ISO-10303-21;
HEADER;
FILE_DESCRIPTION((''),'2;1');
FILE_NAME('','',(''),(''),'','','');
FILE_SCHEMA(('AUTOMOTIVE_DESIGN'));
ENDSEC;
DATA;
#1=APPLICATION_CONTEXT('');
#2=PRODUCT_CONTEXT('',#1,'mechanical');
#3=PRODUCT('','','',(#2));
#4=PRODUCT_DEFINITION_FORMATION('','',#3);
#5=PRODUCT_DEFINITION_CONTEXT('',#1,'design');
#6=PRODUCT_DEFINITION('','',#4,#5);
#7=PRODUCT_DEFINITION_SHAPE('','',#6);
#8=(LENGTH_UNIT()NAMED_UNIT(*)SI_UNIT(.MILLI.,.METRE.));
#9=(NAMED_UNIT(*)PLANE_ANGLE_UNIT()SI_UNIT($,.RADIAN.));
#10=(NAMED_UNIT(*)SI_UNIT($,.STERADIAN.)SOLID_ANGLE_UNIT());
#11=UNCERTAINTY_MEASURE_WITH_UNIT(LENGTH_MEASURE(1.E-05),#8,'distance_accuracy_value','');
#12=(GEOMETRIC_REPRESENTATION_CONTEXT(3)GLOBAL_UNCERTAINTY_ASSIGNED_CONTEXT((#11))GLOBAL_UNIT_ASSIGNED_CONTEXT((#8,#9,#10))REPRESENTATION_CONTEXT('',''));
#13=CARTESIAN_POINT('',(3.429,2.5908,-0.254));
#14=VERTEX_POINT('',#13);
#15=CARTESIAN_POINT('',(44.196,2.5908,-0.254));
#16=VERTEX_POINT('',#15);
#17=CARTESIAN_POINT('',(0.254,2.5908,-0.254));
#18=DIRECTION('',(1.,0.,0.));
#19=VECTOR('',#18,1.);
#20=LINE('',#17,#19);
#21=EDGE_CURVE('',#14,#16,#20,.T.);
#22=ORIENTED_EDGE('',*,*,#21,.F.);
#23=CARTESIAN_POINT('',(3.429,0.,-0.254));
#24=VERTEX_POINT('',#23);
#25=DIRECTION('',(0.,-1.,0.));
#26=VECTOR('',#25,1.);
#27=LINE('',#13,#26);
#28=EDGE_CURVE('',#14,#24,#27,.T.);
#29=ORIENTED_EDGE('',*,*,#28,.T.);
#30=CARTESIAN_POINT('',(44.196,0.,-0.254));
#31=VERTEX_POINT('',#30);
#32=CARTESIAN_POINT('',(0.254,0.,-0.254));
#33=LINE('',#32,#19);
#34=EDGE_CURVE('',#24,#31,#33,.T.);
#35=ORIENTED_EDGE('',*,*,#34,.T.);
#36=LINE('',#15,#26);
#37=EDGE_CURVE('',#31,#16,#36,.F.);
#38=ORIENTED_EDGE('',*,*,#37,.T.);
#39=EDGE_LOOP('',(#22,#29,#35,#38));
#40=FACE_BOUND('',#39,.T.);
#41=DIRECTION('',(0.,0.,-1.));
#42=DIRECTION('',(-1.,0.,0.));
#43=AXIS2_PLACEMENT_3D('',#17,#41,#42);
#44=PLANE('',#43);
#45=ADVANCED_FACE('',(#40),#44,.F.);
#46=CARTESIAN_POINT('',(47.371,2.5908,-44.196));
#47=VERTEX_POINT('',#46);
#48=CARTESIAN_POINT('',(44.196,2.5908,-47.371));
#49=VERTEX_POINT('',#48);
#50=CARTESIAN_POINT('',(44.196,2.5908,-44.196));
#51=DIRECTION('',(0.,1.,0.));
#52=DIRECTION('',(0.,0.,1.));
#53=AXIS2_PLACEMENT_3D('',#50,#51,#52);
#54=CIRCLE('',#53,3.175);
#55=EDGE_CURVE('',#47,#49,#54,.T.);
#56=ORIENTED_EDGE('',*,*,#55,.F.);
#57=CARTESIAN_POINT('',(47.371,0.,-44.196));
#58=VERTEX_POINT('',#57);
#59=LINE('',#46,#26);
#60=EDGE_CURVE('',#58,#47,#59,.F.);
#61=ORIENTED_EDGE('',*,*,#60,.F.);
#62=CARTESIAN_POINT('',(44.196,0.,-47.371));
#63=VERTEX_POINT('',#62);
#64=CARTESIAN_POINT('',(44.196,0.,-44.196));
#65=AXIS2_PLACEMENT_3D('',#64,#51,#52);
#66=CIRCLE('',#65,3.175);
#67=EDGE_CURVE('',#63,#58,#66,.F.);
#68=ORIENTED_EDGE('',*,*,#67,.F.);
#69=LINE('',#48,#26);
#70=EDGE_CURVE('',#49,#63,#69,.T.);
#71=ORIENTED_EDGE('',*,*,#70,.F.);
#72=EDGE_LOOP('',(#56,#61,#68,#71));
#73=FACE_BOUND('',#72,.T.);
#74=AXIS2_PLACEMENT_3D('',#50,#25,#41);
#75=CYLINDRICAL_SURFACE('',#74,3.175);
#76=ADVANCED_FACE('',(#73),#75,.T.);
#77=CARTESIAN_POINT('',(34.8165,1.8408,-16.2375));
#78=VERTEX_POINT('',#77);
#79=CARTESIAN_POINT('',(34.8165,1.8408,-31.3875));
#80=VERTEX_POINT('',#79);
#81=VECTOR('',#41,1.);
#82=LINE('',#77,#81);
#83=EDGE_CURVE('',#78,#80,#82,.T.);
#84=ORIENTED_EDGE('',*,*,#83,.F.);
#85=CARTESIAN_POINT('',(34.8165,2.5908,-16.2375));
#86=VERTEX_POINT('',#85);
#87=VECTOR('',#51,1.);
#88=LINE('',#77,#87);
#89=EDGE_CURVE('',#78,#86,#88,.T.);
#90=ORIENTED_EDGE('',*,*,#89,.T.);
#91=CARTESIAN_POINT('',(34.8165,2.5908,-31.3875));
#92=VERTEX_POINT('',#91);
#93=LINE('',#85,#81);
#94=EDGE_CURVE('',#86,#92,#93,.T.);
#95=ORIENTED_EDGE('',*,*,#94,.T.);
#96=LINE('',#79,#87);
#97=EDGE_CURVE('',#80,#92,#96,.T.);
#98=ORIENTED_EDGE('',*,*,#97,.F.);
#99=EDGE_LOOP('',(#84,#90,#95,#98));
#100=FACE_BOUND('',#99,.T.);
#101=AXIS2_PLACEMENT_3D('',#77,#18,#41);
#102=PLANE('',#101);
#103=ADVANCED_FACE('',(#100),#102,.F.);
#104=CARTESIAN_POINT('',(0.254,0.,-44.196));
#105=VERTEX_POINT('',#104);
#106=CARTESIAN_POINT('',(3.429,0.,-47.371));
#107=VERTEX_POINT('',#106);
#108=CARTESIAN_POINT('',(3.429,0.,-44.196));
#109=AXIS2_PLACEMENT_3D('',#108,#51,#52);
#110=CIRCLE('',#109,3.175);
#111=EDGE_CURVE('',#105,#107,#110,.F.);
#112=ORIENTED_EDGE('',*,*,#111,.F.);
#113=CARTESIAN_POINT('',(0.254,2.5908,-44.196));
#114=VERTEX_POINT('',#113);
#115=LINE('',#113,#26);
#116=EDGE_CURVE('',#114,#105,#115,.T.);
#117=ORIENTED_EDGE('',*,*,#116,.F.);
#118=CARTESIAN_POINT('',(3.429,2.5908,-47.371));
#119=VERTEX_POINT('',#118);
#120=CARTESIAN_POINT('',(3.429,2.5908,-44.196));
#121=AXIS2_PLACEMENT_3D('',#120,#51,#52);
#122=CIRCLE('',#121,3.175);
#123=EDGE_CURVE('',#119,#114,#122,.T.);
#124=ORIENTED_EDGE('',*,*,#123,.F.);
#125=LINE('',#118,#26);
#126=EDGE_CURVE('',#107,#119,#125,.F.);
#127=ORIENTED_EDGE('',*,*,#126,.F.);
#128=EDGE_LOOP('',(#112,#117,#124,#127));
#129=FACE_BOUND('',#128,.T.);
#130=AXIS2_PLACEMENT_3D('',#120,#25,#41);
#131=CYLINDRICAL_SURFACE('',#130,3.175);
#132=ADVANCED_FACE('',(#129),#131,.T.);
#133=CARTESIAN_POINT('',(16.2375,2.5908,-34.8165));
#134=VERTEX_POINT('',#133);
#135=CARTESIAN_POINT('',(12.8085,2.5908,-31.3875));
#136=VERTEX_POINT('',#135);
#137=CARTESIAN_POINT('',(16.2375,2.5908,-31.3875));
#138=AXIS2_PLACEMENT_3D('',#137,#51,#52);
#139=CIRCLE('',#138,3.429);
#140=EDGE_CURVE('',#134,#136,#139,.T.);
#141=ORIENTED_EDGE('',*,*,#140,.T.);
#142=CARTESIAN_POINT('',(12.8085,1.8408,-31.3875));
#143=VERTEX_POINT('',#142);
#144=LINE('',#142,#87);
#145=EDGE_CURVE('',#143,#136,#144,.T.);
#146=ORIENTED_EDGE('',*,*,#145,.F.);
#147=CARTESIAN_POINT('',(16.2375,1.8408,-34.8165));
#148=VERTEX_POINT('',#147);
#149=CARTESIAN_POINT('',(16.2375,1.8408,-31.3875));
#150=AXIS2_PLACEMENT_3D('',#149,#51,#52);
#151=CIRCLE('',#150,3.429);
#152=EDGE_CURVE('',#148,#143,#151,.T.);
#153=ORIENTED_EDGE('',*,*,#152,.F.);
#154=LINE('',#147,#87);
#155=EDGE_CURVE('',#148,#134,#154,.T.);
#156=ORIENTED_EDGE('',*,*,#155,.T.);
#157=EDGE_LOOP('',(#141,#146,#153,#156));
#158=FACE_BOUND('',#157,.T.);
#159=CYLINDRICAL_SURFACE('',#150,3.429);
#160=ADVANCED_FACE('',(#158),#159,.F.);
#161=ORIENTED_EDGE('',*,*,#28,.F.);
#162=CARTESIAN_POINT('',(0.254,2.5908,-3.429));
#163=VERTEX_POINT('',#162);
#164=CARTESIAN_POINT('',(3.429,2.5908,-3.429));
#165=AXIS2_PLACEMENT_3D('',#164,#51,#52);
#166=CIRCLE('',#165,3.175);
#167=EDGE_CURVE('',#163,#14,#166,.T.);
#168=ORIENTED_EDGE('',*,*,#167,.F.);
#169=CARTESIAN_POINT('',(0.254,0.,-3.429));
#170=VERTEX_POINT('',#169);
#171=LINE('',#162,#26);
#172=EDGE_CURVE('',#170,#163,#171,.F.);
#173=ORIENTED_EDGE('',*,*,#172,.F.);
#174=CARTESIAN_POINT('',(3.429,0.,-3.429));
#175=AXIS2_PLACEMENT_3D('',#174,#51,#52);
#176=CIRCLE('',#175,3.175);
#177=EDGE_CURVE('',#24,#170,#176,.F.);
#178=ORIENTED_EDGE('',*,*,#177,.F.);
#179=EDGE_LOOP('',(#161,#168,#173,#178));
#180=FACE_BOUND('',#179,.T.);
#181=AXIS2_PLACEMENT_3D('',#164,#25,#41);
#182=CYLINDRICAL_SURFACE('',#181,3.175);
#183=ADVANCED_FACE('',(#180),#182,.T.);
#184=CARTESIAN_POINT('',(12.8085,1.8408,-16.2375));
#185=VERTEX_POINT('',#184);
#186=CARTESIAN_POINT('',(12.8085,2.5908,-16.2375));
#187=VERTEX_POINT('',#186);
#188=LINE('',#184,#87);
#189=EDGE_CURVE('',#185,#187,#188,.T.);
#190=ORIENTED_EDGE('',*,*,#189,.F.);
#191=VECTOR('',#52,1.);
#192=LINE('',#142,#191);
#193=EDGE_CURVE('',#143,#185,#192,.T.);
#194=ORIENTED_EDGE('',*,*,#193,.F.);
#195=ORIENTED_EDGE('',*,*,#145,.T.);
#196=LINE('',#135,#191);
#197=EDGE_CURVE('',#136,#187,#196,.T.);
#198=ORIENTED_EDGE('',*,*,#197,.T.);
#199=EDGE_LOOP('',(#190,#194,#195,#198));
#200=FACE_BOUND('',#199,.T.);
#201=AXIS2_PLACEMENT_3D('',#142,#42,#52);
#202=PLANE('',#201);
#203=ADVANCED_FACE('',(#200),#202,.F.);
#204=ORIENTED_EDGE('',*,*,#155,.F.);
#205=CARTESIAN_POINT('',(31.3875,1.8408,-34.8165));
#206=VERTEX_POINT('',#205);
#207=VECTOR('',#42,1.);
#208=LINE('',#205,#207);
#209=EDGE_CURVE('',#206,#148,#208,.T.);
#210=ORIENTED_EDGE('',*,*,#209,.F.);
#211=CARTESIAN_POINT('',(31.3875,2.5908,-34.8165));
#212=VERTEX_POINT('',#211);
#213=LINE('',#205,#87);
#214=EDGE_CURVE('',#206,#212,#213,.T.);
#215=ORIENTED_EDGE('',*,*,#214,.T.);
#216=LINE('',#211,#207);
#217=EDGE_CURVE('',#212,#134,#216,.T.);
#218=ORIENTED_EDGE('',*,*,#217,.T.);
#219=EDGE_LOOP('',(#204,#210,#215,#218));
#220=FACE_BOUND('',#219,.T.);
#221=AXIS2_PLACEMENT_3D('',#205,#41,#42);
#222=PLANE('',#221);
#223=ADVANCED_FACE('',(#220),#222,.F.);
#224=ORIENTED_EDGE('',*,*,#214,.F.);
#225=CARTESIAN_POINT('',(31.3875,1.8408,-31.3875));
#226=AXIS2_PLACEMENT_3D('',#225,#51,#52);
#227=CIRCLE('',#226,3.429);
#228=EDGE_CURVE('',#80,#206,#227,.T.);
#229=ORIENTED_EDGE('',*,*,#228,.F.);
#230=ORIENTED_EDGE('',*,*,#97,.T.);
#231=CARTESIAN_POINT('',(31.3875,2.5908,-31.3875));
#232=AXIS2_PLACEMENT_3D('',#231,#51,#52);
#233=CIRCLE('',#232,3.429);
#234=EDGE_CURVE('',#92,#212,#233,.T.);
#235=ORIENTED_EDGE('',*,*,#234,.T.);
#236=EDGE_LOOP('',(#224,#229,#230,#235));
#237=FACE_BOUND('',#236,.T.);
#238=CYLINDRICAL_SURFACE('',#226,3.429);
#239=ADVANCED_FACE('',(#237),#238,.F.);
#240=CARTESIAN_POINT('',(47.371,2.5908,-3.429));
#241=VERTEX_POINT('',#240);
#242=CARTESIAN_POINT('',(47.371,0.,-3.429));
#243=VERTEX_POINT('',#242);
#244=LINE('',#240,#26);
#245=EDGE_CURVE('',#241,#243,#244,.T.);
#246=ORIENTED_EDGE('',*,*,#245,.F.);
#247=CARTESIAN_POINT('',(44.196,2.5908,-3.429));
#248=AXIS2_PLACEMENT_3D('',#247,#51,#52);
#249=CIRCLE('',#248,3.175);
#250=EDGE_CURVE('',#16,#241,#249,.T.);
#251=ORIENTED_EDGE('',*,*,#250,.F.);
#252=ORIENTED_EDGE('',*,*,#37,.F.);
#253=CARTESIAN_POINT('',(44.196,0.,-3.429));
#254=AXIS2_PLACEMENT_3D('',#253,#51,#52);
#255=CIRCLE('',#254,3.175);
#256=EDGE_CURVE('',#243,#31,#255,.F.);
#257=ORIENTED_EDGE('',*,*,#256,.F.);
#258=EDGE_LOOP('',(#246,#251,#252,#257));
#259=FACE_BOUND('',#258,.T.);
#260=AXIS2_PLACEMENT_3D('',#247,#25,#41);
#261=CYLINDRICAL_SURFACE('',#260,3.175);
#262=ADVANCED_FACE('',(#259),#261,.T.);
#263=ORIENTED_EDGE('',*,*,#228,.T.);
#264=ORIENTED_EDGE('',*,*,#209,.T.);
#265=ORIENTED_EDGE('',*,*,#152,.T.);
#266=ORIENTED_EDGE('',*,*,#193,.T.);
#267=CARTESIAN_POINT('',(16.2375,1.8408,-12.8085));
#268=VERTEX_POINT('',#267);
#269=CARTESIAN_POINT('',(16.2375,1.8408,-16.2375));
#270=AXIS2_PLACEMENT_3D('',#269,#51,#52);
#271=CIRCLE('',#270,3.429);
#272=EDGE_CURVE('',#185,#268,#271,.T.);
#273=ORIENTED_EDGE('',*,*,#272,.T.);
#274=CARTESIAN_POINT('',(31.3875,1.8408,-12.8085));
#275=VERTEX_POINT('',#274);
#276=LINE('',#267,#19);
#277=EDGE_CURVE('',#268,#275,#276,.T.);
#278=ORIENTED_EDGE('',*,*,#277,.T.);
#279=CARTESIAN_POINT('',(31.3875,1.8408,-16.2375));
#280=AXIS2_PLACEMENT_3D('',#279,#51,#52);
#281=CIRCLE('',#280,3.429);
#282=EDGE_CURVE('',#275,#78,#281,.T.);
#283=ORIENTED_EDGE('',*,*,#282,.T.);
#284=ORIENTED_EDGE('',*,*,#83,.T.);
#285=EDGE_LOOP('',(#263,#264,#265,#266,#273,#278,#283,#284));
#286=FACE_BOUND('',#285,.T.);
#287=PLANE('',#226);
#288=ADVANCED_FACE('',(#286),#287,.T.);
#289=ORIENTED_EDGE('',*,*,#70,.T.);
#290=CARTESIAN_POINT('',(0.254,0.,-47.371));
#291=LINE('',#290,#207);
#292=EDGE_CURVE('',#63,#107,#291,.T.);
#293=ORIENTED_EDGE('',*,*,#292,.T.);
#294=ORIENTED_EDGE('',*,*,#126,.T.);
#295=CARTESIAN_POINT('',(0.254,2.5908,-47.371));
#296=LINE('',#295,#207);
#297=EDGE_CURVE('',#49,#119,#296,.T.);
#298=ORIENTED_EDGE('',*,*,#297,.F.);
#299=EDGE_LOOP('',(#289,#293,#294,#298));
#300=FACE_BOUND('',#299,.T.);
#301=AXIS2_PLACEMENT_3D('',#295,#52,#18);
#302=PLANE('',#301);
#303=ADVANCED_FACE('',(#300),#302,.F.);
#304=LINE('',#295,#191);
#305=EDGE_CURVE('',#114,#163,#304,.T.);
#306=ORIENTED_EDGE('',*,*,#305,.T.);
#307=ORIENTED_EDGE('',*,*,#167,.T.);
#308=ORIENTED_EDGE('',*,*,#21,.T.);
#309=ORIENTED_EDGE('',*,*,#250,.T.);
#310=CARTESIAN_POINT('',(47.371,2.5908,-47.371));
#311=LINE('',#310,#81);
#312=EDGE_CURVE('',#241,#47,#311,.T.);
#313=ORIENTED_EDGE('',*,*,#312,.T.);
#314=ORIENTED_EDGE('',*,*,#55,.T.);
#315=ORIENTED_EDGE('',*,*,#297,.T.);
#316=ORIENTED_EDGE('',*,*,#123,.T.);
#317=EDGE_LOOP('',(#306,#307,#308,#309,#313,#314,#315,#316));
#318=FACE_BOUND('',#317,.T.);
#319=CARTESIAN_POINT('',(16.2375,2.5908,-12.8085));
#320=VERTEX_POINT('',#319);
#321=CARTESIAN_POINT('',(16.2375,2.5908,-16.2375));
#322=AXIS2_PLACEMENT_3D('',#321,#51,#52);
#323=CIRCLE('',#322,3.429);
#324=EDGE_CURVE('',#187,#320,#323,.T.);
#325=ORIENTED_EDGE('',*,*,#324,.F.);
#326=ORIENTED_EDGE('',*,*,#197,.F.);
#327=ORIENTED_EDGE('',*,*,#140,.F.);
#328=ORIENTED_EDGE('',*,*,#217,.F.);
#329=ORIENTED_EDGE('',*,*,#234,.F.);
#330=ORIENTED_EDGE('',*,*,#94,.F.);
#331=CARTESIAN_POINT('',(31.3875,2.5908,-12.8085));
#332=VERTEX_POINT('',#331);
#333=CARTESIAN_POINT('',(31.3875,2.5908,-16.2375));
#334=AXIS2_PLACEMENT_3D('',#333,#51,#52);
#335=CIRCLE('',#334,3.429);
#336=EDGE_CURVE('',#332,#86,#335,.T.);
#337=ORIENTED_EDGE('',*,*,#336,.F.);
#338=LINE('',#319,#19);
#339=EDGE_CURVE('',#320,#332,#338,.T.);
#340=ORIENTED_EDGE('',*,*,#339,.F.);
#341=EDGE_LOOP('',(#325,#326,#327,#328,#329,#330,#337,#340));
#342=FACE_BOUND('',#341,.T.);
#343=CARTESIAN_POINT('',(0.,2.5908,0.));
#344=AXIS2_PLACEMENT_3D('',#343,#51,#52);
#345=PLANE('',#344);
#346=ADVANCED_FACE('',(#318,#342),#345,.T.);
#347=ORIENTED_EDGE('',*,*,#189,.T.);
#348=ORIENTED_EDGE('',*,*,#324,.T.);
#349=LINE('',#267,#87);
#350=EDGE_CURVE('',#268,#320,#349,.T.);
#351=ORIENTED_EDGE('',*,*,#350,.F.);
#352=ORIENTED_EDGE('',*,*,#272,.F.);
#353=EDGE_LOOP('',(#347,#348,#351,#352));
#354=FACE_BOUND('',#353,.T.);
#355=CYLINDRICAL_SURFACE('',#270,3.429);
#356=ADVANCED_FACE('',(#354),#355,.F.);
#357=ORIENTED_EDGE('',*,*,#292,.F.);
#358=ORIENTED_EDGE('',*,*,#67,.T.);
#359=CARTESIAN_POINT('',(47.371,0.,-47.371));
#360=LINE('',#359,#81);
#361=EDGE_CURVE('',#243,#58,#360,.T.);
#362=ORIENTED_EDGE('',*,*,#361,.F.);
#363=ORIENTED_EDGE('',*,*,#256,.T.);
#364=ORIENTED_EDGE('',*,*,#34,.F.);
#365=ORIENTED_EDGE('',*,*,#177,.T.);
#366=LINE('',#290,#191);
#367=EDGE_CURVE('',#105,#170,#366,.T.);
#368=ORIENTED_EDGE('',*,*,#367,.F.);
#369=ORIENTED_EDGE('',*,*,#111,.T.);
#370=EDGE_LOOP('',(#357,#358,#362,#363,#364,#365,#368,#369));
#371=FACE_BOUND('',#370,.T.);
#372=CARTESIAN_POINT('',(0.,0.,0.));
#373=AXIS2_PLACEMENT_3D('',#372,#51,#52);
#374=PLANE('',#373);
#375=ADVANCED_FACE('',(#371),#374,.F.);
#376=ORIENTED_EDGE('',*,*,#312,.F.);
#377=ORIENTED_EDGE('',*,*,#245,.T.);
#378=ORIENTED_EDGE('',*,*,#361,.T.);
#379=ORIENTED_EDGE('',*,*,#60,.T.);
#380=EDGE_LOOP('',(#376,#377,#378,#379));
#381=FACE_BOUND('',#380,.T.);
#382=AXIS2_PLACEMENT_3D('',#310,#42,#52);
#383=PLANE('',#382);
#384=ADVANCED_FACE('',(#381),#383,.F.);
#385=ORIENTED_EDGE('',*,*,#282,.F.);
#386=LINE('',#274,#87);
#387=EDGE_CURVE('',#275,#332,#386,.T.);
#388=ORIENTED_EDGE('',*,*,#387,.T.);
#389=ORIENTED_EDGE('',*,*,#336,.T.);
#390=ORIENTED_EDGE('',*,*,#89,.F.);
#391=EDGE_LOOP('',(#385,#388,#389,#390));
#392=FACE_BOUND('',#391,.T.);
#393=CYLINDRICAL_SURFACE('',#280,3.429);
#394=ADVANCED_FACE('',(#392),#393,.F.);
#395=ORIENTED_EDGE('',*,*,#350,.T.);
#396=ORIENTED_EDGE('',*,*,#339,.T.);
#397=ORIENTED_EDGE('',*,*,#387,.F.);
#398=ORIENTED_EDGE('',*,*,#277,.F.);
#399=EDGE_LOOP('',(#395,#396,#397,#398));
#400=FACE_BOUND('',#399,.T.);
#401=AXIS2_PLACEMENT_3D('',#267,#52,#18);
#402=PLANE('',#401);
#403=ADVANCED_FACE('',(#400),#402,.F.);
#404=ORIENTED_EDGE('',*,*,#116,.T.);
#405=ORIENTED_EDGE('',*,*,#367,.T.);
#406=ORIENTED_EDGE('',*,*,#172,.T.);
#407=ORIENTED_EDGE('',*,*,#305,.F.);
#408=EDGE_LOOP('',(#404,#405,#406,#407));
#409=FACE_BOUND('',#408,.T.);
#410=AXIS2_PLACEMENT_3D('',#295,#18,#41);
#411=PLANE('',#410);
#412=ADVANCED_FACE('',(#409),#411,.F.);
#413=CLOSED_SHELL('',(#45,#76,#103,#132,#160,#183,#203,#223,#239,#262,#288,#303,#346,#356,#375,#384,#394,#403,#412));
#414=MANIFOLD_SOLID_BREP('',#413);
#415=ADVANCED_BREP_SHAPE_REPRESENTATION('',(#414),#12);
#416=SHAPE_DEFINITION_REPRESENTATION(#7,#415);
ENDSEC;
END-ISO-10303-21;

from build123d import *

# Parameters (mm, degrees)
SKETCH3_W           = 47.117
SKETCH3_H           = 47.117
BOSS_EXTRUDE1_DEPTH = 2.5908
FILLET2_R           = 3.175
CUT_EXTRUDE1_DEPTH  = 0.75


with BuildPart() as part:
    # Sketch3 → Boss-Extrude1 (new body)
    with BuildSketch(Plane(origin=(0, 0, 0), x_dir=(1, 0, 0), z_dir=(0, 1, 0))):
        with Locations((23.8125, 23.8125)):
            Rectangle(SKETCH3_W, SKETCH3_H)
    extrude(amount=BOSS_EXTRUDE1_DEPTH)

    # Fillet2
    fillet2_edges = [part.edges().sort_by_distance(p)[0] for p in [
        (0.254, 1.2954, -47.371),
        (47.371, 1.2954, -47.371),
        (47.371, 1.2954, -0.254),
        (0.254, 1.2954, -0.254),
    ]]
    fillet(fillet2_edges, radius=FILLET2_R)

    # Sketch5 → Cut-Extrude1 (cut)
    with BuildSketch(Plane(origin=(0, 2.5908, 0), x_dir=(1, 0, 0), z_dir=(0, 1, 0))):
        with BuildLine():
            Line((31.387499983, 34.816499983), (16.237500017, 34.816499983))
            ThreePointArc((16.237500017, 34.816499983), (13.812830864, 33.812169136), (12.808500017, 31.387499983))
            Line((12.808500017, 31.387499983), (12.808500017, 16.237500017))
            ThreePointArc((12.808500017, 16.237500017), (13.812830864, 13.812830864), (16.237500017, 12.808500017))
            Line((16.237500017, 12.808500017), (31.387499983, 12.808500017))
            ThreePointArc((31.387499983, 12.808500017), (33.812169136, 13.812830864), (34.816499983, 16.237500017))
            Line((34.816499983, 16.237500017), (34.816499983, 31.387499983))
            ThreePointArc((34.816499983, 31.387499983), (33.812169136, 33.812169136), (31.387499983, 34.816499983))
        make_face()
    extrude(amount=-CUT_EXTRUDE1_DEPTH, mode=Mode.SUBTRACT)


solid = part.part
